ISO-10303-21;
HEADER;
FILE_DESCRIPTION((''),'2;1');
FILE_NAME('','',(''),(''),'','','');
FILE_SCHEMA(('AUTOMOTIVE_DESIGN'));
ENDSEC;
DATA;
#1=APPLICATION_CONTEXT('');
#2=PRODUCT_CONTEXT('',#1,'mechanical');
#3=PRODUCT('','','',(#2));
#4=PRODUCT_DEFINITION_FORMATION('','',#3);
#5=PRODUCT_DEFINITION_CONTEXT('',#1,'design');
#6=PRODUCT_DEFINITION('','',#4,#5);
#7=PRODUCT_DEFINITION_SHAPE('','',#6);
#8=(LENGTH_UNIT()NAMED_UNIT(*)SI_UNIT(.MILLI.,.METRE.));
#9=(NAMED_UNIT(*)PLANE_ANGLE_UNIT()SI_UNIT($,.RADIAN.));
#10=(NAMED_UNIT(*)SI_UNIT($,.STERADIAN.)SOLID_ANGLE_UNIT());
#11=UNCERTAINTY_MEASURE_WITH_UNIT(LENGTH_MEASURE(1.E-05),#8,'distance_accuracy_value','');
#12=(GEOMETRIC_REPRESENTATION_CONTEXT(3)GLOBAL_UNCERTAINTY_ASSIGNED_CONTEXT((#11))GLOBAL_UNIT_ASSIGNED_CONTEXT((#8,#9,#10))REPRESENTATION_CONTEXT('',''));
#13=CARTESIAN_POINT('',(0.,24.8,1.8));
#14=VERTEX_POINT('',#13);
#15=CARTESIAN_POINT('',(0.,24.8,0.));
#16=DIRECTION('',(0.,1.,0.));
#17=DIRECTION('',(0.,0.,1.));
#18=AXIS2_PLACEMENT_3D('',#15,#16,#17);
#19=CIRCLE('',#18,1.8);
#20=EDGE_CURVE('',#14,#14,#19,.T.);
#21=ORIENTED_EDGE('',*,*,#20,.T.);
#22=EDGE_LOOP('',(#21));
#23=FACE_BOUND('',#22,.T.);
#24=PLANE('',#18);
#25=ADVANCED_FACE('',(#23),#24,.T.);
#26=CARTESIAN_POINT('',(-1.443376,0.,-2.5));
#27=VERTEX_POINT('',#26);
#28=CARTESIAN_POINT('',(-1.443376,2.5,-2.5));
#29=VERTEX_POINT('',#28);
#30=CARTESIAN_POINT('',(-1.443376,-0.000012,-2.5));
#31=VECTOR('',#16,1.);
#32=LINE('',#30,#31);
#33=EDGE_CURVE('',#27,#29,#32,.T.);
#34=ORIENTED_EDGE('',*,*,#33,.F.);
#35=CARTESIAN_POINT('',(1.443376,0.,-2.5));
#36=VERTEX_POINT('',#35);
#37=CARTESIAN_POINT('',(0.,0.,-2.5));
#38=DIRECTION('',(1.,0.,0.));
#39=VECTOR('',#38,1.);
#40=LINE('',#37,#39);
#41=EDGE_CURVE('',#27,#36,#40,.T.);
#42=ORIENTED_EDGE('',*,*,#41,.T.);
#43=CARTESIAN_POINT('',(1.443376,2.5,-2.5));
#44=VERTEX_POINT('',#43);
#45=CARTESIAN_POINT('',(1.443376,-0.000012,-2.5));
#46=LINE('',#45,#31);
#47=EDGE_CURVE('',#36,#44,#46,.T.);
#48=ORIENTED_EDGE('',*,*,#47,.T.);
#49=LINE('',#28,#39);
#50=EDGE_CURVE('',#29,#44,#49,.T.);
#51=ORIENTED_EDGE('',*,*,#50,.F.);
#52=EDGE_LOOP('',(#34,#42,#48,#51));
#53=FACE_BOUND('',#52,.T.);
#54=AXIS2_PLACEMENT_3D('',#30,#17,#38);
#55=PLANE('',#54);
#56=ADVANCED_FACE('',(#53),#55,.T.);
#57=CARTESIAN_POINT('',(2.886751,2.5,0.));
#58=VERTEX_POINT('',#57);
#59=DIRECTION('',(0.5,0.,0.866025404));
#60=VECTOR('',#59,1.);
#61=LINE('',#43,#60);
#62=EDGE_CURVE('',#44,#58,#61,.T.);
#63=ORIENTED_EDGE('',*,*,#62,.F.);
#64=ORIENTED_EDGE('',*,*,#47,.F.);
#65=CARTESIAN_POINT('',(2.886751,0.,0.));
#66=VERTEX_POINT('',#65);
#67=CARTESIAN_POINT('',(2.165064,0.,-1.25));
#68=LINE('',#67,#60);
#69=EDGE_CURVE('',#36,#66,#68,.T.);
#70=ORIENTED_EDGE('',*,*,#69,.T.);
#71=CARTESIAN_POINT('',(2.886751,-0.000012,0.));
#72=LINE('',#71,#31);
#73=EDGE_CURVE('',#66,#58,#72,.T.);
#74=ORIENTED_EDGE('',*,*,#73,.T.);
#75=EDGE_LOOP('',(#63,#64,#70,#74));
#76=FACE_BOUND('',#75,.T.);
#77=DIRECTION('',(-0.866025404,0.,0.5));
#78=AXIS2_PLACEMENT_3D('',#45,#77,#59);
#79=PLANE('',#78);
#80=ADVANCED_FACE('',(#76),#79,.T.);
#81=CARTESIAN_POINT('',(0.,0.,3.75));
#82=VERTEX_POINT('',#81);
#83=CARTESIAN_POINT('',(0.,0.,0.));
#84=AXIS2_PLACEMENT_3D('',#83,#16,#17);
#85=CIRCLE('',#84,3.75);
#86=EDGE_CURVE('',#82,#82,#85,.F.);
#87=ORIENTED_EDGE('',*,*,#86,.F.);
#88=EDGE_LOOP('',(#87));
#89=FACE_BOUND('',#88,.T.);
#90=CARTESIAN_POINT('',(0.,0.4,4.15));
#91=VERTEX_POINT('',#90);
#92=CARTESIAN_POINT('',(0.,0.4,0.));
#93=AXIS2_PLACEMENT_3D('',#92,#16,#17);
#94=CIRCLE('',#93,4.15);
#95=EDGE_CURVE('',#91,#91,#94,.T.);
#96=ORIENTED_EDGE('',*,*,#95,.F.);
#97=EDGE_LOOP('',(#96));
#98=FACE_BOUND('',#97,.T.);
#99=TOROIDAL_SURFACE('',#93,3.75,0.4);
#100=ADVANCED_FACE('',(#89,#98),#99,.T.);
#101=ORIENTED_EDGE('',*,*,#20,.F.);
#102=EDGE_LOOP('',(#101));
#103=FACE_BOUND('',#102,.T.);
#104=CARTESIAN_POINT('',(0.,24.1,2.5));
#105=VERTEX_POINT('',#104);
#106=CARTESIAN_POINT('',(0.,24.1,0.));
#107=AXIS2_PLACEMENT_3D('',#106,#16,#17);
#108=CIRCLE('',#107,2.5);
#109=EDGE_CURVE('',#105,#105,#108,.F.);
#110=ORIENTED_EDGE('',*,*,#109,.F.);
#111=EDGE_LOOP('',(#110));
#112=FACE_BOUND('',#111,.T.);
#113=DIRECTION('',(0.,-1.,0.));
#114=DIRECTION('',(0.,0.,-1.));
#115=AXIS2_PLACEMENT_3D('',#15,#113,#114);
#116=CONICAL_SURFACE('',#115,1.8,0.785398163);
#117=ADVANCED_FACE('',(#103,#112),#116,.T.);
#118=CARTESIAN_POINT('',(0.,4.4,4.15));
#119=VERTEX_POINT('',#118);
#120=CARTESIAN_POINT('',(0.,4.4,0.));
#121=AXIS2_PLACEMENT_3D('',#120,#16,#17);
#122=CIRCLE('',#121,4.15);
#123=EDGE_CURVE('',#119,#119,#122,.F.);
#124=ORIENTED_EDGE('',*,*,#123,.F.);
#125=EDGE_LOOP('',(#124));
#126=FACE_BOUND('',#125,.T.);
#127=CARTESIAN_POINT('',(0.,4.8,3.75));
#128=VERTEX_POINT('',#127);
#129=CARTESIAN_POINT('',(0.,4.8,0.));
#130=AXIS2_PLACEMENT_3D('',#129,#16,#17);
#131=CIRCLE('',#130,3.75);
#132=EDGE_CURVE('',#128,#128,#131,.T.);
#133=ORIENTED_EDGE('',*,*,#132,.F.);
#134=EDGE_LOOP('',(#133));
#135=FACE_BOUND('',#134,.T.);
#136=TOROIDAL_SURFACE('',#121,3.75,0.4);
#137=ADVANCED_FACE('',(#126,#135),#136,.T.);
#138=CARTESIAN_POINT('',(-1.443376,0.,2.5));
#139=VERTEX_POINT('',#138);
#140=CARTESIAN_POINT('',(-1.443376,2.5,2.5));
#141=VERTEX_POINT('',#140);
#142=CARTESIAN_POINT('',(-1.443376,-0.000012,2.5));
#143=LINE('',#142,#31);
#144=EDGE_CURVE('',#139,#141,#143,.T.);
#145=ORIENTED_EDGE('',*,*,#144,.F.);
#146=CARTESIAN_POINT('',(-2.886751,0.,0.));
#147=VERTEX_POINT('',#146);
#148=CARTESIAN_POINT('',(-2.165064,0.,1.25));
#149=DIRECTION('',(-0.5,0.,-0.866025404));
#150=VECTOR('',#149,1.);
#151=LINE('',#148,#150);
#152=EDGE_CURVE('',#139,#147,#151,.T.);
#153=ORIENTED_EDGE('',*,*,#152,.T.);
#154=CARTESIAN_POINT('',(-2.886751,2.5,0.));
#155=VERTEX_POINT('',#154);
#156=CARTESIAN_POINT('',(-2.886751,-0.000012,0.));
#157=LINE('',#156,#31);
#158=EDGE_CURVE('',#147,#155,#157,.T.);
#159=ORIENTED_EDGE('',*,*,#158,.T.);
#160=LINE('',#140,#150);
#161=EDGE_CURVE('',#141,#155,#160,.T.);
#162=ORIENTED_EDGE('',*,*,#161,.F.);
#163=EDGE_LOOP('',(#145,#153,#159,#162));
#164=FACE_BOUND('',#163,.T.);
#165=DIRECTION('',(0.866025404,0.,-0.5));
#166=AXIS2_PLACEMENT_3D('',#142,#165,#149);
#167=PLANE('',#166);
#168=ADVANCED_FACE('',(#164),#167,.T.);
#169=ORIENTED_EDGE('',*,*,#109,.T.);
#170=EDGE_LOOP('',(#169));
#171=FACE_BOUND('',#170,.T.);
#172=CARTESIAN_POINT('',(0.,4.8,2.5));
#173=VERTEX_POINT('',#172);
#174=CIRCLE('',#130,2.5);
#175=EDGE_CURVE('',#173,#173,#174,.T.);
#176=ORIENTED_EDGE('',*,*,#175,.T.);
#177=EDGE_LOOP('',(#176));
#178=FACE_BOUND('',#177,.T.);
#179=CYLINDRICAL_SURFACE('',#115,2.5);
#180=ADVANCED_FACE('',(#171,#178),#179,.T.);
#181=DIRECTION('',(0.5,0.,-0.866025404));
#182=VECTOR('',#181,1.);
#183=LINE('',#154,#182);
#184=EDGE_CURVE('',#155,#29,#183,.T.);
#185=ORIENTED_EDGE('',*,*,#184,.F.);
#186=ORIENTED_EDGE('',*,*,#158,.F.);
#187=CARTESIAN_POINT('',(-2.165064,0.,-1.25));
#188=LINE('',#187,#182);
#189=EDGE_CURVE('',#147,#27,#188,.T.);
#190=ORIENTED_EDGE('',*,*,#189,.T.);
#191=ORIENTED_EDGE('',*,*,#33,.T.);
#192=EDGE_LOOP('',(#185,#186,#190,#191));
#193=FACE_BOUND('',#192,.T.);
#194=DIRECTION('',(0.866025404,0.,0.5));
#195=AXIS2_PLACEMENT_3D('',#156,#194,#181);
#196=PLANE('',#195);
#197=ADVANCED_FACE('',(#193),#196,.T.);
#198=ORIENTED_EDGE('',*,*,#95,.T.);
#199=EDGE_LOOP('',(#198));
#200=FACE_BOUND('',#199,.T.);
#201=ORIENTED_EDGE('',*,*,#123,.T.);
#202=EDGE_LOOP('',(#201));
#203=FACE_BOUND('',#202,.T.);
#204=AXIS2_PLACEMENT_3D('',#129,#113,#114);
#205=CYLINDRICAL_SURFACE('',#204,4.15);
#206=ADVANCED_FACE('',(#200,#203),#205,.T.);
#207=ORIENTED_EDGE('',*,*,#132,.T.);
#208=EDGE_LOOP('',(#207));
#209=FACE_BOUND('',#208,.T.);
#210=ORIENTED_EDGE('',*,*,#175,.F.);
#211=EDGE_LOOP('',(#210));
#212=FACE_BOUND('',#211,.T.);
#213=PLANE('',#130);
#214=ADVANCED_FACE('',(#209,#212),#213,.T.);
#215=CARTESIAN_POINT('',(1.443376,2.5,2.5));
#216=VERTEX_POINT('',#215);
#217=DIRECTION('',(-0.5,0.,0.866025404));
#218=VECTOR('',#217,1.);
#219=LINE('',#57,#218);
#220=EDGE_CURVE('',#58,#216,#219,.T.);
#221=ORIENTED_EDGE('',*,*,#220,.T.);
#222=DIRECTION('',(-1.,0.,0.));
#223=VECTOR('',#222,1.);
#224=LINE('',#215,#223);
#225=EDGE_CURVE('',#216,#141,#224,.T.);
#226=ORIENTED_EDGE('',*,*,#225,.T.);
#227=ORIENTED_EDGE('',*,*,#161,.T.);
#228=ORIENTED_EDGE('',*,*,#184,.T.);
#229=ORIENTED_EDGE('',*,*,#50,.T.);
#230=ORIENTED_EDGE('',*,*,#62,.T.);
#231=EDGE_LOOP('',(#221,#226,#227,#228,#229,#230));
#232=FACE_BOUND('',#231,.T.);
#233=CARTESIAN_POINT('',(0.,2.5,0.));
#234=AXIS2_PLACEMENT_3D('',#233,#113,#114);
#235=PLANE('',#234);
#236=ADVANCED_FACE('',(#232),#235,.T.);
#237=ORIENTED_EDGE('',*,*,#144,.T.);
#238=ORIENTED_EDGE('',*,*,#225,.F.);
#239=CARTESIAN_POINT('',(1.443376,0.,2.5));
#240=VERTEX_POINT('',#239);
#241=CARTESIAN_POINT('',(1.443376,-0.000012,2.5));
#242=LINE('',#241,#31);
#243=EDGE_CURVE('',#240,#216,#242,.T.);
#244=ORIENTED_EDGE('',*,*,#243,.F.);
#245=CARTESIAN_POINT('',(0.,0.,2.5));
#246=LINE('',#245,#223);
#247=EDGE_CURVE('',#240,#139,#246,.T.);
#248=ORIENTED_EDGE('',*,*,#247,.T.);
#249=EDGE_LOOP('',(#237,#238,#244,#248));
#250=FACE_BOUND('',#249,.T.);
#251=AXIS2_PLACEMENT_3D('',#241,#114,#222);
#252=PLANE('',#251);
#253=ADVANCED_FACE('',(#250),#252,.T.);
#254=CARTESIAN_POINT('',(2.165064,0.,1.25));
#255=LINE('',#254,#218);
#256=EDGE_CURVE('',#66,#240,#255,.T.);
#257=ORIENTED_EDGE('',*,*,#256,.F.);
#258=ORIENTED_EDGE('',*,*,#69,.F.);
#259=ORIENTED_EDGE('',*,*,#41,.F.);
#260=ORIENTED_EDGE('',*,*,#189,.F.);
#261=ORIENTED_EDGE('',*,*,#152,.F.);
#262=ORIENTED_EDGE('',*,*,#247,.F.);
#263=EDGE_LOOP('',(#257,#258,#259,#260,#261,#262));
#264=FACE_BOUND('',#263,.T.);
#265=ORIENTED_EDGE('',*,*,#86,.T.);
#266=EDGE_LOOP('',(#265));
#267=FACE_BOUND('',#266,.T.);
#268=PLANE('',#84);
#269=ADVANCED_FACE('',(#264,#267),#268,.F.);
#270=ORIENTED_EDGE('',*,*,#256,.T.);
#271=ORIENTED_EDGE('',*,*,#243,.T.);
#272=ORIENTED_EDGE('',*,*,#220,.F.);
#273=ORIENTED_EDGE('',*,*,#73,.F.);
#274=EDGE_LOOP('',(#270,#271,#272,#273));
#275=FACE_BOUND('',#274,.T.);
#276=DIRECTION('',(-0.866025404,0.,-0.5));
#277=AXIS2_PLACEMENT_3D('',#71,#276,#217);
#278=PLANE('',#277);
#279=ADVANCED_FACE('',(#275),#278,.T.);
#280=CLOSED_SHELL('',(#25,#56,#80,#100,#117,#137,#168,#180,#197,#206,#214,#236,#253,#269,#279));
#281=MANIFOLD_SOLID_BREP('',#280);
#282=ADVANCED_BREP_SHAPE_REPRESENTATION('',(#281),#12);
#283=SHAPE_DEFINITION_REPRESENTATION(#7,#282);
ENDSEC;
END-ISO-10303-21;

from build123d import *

# Parameters (mm, degrees)
SKETCH1_R               = 4.15
BOSS_EXTRUDE1_DEPTH     = 4.8
SKETCH2_R               = 2.5
BOSS_EXTRUDE2_DEPTH     = 20
CUT_EXTRUDE1_DEPTH      = 26.484995586
CUT_EXTRUDE1_DEPTH_BACK = 2.5
CHAMFER1_SIZE           = 0.7
FILLET1_R               = 0.4


with BuildPart() as part:
    # Sketch1 → Boss-Extrude1 (new body)
    with BuildSketch(Plane(origin=(0, 0, 0), x_dir=(1, 0, 0), z_dir=(0, 1, 0))):
        with Locations(Location((0, 0, 0), (0, 0, 270))):
            Circle(SKETCH1_R)
    extrude(amount=BOSS_EXTRUDE1_DEPTH)

    # Sketch2 → Boss-Extrude2 (add)
    with BuildSketch(Plane(origin=(0, 4.8, 0), x_dir=(1, 0, 0), z_dir=(0, 1, 0))):
        with Locations(Location((0, 0, 0), (0, 0, 270))):
            Circle(SKETCH2_R)
    extrude(amount=BOSS_EXTRUDE2_DEPTH)

    # Sketch3 → Cut-Extrude1 (cut, two sides: drawn at the far end of the back side and taken through both)
    with BuildSketch(Plane.XZ.offset(-CUT_EXTRUDE1_DEPTH_BACK)):
        Polygon((2.886751346, 0), (1.443375673, 2.5), (-1.443375673, 2.5), (-2.886751346, 0), (-1.443375673, -2.5), (1.443375673, -2.5), align=None)
    extrude(amount=CUT_EXTRUDE1_DEPTH + CUT_EXTRUDE1_DEPTH_BACK, mode=Mode.SUBTRACT)

    # Chamfer1
    chamfer1_edges = [part.edges().sort_by_distance(p)[0] for p in [
        (0, 24.8, -2.5),
    ]]
    chamfer(chamfer1_edges, length=CHAMFER1_SIZE)

    # Fillet1
    fillet1_edges = [part.edges().sort_by_distance(p)[0] for p in [
        (0, 0, -4.15),
        (0, 4.8, -4.15),
    ]]
    fillet(fillet1_edges, radius=FILLET1_R)


solid = part.part
